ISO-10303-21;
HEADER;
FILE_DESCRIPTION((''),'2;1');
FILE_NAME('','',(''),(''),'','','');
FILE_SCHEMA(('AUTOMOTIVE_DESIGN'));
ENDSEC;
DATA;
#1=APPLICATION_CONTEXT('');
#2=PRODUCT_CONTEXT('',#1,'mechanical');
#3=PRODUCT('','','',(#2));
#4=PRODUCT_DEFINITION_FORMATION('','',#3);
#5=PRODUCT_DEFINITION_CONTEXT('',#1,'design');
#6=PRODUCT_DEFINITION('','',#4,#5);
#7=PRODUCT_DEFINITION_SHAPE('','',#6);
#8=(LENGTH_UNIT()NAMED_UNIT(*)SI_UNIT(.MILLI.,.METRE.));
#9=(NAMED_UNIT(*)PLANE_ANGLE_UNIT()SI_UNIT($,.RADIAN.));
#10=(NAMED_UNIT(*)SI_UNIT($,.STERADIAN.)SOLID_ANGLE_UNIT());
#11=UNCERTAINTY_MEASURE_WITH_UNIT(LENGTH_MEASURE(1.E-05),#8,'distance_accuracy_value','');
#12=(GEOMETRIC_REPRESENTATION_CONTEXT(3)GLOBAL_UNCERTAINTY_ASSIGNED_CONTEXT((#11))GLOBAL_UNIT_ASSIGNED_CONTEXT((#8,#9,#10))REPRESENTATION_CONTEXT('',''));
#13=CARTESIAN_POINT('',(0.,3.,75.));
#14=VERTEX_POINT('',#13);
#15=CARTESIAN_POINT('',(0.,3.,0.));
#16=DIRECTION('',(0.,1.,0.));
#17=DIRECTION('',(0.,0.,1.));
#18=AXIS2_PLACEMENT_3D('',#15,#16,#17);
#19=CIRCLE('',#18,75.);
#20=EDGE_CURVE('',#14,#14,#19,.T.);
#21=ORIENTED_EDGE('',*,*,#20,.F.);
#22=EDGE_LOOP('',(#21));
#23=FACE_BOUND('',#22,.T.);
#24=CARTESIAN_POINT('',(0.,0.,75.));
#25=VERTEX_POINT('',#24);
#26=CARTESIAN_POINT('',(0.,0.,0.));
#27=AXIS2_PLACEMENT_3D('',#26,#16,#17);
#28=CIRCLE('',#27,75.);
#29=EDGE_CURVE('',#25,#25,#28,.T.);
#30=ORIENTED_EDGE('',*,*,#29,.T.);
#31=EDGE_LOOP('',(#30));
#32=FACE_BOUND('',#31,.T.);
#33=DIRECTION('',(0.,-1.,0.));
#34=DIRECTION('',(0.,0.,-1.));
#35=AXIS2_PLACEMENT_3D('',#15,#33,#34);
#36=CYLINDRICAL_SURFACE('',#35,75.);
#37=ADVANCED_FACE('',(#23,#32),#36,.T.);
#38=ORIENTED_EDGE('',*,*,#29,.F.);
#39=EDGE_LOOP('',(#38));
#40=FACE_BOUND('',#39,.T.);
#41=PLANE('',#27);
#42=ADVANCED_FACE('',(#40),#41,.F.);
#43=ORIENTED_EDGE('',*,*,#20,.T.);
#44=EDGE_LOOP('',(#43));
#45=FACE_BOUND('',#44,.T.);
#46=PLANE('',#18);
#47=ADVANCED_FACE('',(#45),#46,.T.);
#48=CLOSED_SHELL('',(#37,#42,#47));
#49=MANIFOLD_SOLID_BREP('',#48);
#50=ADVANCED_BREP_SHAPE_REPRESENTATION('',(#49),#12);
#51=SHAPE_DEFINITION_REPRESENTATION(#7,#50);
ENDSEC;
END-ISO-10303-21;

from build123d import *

# Parameters (mm, degrees)
SKETCH1_R           = 75
BOSS_EXTRUDE2_DEPTH = 3


with BuildPart() as part:
    # Sketch1 → Boss-Extrude2 (new body)
    with BuildSketch(Plane(origin=(0, 0, 0), x_dir=(1, 0, 0), z_dir=(0, 1, 0))):
        with Locations(Location((0, 0, 0), (0, 0, 270))):
            Circle(SKETCH1_R)
    extrude(amount=BOSS_EXTRUDE2_DEPTH)


solid = part.part
